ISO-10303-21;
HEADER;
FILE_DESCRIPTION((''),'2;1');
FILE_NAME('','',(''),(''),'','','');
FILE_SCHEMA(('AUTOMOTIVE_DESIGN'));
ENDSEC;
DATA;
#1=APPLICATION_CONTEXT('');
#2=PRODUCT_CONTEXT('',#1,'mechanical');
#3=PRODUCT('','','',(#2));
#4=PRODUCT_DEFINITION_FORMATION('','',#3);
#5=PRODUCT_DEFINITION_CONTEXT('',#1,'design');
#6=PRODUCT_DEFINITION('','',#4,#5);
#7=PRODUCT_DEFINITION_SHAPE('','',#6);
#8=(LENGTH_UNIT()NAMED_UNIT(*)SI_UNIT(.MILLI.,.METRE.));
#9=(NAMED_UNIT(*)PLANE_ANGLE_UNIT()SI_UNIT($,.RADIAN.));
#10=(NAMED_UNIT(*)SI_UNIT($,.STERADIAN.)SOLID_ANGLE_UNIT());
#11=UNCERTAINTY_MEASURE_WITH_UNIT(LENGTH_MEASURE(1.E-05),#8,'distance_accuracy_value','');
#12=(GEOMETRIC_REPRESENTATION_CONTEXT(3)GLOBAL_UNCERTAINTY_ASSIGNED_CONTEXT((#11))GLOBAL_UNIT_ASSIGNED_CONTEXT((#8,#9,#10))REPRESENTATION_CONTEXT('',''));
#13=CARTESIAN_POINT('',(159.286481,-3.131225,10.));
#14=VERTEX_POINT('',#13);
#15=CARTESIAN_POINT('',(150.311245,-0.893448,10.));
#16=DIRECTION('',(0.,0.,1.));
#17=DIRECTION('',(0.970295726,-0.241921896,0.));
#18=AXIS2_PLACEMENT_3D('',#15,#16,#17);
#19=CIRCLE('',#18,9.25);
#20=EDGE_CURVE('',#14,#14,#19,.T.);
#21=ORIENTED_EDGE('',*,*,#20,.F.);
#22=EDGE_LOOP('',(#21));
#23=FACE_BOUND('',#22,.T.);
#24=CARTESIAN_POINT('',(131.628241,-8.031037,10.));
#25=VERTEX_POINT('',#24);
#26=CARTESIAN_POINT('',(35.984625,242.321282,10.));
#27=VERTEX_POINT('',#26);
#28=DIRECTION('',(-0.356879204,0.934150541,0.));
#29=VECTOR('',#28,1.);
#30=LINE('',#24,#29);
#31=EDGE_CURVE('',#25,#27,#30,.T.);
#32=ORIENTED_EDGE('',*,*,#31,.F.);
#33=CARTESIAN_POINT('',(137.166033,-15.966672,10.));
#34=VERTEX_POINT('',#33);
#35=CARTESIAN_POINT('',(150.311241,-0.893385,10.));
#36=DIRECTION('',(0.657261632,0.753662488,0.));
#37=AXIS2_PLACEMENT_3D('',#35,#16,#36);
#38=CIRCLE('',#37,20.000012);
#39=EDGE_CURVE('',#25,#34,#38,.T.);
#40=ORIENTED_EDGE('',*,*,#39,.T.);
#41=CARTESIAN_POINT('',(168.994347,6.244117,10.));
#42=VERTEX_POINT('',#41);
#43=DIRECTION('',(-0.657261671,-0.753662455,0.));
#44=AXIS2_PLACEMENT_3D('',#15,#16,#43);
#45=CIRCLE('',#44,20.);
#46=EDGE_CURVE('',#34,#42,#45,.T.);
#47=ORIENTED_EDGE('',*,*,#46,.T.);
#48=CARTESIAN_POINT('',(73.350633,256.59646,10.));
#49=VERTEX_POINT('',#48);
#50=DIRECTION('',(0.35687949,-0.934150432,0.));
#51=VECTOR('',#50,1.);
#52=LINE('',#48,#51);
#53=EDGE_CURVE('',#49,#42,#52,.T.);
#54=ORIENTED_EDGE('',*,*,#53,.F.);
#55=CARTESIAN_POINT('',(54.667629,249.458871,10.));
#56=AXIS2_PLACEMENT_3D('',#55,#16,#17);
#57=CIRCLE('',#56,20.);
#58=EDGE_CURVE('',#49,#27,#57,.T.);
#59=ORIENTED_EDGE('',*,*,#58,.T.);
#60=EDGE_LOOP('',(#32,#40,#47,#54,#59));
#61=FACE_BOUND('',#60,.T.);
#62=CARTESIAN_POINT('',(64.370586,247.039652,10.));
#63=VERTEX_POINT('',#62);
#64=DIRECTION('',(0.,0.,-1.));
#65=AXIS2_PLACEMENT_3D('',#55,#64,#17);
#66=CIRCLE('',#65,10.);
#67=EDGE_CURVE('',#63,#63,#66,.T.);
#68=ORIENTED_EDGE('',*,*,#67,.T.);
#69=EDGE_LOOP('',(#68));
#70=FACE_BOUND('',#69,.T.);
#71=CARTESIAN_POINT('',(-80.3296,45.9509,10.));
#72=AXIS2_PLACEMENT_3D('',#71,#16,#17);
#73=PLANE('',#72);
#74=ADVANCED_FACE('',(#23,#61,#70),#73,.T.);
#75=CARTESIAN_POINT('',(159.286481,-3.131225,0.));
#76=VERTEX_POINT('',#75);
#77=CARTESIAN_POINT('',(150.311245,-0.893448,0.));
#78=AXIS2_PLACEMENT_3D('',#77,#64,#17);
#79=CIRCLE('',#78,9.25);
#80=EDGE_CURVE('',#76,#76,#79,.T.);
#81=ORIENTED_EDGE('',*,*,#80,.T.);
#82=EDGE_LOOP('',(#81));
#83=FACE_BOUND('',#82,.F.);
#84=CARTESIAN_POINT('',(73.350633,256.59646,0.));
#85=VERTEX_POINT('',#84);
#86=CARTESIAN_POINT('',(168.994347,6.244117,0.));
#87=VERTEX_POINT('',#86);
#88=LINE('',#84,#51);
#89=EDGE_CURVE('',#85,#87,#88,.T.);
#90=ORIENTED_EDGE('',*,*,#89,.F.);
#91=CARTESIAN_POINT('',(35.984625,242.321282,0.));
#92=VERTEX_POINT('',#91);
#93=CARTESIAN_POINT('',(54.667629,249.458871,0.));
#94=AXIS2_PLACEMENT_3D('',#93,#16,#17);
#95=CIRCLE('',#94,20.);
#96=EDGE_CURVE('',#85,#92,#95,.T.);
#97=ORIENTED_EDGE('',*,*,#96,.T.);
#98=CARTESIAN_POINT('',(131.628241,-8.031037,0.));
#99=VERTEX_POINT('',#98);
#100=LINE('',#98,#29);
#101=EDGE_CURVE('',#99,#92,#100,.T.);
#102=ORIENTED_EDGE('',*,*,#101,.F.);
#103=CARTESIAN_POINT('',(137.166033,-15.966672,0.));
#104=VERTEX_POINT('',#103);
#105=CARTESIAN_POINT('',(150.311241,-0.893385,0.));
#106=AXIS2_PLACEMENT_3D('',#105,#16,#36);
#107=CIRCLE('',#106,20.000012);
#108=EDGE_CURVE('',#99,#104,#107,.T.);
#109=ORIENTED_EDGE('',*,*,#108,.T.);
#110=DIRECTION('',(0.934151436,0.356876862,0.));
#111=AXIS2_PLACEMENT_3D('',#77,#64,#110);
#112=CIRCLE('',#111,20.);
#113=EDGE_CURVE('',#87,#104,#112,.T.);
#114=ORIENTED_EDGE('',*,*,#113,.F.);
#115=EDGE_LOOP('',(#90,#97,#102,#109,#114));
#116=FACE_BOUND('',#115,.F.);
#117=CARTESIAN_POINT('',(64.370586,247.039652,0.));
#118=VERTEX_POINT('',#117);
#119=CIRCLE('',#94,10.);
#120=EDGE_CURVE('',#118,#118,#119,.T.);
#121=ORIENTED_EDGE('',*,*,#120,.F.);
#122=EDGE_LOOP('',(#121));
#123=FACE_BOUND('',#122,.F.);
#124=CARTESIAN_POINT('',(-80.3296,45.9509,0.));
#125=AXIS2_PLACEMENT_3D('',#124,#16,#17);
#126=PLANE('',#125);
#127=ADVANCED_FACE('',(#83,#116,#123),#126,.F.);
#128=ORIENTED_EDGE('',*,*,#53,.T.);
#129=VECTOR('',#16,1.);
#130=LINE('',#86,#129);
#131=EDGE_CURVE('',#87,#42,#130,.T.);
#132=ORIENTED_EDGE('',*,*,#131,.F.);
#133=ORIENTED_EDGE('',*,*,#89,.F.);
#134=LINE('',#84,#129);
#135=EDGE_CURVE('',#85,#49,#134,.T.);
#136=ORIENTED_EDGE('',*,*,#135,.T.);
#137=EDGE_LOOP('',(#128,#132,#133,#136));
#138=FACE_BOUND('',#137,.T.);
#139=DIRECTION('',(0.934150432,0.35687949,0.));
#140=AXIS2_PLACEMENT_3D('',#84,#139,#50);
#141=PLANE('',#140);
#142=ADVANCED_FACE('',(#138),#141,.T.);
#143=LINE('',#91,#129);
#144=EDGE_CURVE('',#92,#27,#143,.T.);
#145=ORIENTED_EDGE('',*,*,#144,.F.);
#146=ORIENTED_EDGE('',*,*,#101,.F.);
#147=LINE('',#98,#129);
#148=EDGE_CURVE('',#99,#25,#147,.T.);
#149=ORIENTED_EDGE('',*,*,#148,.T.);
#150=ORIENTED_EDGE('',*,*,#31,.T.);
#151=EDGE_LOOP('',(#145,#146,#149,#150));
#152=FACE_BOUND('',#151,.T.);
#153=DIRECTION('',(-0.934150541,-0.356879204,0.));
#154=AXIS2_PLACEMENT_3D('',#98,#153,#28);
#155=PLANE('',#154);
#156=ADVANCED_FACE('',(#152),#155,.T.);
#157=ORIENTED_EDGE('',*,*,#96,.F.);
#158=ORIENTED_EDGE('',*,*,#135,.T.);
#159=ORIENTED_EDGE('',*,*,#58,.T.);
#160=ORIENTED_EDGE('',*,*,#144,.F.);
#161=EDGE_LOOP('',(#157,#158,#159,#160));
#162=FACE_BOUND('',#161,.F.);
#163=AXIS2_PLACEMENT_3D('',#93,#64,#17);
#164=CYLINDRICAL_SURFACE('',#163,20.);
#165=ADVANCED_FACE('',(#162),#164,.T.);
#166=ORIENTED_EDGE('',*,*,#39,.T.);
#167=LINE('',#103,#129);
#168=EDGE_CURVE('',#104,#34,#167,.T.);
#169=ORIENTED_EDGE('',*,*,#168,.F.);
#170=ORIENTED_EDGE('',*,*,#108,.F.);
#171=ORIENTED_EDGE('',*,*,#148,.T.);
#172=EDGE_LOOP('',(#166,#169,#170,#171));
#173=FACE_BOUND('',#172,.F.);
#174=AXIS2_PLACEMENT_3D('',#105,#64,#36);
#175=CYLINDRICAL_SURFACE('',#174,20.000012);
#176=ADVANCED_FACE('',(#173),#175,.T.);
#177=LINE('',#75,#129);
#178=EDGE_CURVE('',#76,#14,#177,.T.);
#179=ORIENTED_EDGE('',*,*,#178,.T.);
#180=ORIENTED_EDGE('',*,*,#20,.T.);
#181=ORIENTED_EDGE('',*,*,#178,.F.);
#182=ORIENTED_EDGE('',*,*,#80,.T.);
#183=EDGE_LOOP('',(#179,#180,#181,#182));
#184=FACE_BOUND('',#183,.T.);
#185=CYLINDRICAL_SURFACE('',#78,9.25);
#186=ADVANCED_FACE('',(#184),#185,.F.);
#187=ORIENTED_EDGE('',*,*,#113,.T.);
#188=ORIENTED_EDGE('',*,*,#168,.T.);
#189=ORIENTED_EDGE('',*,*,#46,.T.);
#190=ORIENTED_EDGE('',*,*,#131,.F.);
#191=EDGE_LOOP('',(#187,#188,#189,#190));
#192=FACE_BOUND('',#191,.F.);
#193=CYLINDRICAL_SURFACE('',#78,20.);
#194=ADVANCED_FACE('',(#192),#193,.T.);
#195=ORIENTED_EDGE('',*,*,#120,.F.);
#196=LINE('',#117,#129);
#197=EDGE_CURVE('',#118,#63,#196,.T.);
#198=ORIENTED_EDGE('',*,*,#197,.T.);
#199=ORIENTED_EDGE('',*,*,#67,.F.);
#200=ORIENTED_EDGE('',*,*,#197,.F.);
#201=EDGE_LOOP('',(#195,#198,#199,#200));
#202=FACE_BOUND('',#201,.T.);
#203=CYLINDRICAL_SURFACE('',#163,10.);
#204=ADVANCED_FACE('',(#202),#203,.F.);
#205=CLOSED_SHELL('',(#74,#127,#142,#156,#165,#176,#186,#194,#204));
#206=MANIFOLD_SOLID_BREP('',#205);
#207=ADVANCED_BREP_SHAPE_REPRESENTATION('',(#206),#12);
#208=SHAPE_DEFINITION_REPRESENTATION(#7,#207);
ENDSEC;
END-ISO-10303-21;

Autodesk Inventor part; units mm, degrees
ref_plane "YZ Plane" through (0, 0, 0) normal (1, 0, 0) x (0, 1, 0)
ref_plane "XZ Plane" through (0, 0, 0) normal (0, 1, 0) x (-1, 0, 0)
ref_plane "XY Plane" through (0, 0, 0) normal (0, 0, 1) x (1, 0, 0)
ref_plane "Work Plane1" through (-80.3296, 45.9509, 0) normal (0, 0, 1) x (0.9703, -0.2419, 0)
sketch "Sketch1" plane through (-80.3296, 45.9509, 0) normal (0, 0, 1) x (0.9703, -0.2419, 0)
  arc A0 (244.2307, 28.1499) -> (226.0143, -7.4614) centre (235.1225, 10.3442) ccw projected
  circle A1 centre (235.1225, 10.3442) radius 20 projected
  line L0 (235.1225, 10.3442) -> (81.7542, 230.1217)
  line L1 (473.7181, -111.7057) -> (235.1225, 10.3442) projected
  circle A2 centre (81.7542, 230.1217) radius 20
  circle A3 centre (81.7542, 230.1217) radius 10
  line L2 (65.3529, 218.6763) -> (98.1555, 241.5671)
  line L3 (218.7212, -1.1012) -> (218.7212, -1.1012)
  line L4 (65.3529, 218.6763) -> (98.1555, 241.5671)
  line L5 (98.1555, 241.5671) -> (251.5239, 21.7896)
  line L6 (251.5239, 21.7896) -> (218.7212, -1.1012)
  line L7 (218.7212, -1.1012) -> (65.3529, 218.6763)
  circle A4 centre (235.1225, 10.3442) radius 9.25 projected
  point P0 (89.06, -25.1525)
  point P1 (-51.8234, 125.1812)
  point P2 (-13.0116, 134.8581)
  point P3 (473.7181, -111.7057)
  point P4 (218.7212, -1.1012)
  point P5 (251.5239, 21.7896)
  point P6 (251.5239, 21.7896)
  point P7 (218.7212, -1.1012)
  point P8 (215.3649, 13.448)
  dimension "d0" = 268
  dimension "d1" = 152
  dimension "d2" = 40
  dimension "d3" = 20
extrude "Extrusion1" add sketch "Sketch1" along normal blind 10 contours L6 A4 L1 A1 A0 | L7 A2 L0 A0 | A0 L0 A4 L6 | L0 A2 L5 A1 A0 | A0 A1 L6 A4 L0 | L2 A3 L0 A2 | A2 L2 A3 | L1 A4 L6 A1 | L0 A3 L2 A2
properties part number "ramieR2"
